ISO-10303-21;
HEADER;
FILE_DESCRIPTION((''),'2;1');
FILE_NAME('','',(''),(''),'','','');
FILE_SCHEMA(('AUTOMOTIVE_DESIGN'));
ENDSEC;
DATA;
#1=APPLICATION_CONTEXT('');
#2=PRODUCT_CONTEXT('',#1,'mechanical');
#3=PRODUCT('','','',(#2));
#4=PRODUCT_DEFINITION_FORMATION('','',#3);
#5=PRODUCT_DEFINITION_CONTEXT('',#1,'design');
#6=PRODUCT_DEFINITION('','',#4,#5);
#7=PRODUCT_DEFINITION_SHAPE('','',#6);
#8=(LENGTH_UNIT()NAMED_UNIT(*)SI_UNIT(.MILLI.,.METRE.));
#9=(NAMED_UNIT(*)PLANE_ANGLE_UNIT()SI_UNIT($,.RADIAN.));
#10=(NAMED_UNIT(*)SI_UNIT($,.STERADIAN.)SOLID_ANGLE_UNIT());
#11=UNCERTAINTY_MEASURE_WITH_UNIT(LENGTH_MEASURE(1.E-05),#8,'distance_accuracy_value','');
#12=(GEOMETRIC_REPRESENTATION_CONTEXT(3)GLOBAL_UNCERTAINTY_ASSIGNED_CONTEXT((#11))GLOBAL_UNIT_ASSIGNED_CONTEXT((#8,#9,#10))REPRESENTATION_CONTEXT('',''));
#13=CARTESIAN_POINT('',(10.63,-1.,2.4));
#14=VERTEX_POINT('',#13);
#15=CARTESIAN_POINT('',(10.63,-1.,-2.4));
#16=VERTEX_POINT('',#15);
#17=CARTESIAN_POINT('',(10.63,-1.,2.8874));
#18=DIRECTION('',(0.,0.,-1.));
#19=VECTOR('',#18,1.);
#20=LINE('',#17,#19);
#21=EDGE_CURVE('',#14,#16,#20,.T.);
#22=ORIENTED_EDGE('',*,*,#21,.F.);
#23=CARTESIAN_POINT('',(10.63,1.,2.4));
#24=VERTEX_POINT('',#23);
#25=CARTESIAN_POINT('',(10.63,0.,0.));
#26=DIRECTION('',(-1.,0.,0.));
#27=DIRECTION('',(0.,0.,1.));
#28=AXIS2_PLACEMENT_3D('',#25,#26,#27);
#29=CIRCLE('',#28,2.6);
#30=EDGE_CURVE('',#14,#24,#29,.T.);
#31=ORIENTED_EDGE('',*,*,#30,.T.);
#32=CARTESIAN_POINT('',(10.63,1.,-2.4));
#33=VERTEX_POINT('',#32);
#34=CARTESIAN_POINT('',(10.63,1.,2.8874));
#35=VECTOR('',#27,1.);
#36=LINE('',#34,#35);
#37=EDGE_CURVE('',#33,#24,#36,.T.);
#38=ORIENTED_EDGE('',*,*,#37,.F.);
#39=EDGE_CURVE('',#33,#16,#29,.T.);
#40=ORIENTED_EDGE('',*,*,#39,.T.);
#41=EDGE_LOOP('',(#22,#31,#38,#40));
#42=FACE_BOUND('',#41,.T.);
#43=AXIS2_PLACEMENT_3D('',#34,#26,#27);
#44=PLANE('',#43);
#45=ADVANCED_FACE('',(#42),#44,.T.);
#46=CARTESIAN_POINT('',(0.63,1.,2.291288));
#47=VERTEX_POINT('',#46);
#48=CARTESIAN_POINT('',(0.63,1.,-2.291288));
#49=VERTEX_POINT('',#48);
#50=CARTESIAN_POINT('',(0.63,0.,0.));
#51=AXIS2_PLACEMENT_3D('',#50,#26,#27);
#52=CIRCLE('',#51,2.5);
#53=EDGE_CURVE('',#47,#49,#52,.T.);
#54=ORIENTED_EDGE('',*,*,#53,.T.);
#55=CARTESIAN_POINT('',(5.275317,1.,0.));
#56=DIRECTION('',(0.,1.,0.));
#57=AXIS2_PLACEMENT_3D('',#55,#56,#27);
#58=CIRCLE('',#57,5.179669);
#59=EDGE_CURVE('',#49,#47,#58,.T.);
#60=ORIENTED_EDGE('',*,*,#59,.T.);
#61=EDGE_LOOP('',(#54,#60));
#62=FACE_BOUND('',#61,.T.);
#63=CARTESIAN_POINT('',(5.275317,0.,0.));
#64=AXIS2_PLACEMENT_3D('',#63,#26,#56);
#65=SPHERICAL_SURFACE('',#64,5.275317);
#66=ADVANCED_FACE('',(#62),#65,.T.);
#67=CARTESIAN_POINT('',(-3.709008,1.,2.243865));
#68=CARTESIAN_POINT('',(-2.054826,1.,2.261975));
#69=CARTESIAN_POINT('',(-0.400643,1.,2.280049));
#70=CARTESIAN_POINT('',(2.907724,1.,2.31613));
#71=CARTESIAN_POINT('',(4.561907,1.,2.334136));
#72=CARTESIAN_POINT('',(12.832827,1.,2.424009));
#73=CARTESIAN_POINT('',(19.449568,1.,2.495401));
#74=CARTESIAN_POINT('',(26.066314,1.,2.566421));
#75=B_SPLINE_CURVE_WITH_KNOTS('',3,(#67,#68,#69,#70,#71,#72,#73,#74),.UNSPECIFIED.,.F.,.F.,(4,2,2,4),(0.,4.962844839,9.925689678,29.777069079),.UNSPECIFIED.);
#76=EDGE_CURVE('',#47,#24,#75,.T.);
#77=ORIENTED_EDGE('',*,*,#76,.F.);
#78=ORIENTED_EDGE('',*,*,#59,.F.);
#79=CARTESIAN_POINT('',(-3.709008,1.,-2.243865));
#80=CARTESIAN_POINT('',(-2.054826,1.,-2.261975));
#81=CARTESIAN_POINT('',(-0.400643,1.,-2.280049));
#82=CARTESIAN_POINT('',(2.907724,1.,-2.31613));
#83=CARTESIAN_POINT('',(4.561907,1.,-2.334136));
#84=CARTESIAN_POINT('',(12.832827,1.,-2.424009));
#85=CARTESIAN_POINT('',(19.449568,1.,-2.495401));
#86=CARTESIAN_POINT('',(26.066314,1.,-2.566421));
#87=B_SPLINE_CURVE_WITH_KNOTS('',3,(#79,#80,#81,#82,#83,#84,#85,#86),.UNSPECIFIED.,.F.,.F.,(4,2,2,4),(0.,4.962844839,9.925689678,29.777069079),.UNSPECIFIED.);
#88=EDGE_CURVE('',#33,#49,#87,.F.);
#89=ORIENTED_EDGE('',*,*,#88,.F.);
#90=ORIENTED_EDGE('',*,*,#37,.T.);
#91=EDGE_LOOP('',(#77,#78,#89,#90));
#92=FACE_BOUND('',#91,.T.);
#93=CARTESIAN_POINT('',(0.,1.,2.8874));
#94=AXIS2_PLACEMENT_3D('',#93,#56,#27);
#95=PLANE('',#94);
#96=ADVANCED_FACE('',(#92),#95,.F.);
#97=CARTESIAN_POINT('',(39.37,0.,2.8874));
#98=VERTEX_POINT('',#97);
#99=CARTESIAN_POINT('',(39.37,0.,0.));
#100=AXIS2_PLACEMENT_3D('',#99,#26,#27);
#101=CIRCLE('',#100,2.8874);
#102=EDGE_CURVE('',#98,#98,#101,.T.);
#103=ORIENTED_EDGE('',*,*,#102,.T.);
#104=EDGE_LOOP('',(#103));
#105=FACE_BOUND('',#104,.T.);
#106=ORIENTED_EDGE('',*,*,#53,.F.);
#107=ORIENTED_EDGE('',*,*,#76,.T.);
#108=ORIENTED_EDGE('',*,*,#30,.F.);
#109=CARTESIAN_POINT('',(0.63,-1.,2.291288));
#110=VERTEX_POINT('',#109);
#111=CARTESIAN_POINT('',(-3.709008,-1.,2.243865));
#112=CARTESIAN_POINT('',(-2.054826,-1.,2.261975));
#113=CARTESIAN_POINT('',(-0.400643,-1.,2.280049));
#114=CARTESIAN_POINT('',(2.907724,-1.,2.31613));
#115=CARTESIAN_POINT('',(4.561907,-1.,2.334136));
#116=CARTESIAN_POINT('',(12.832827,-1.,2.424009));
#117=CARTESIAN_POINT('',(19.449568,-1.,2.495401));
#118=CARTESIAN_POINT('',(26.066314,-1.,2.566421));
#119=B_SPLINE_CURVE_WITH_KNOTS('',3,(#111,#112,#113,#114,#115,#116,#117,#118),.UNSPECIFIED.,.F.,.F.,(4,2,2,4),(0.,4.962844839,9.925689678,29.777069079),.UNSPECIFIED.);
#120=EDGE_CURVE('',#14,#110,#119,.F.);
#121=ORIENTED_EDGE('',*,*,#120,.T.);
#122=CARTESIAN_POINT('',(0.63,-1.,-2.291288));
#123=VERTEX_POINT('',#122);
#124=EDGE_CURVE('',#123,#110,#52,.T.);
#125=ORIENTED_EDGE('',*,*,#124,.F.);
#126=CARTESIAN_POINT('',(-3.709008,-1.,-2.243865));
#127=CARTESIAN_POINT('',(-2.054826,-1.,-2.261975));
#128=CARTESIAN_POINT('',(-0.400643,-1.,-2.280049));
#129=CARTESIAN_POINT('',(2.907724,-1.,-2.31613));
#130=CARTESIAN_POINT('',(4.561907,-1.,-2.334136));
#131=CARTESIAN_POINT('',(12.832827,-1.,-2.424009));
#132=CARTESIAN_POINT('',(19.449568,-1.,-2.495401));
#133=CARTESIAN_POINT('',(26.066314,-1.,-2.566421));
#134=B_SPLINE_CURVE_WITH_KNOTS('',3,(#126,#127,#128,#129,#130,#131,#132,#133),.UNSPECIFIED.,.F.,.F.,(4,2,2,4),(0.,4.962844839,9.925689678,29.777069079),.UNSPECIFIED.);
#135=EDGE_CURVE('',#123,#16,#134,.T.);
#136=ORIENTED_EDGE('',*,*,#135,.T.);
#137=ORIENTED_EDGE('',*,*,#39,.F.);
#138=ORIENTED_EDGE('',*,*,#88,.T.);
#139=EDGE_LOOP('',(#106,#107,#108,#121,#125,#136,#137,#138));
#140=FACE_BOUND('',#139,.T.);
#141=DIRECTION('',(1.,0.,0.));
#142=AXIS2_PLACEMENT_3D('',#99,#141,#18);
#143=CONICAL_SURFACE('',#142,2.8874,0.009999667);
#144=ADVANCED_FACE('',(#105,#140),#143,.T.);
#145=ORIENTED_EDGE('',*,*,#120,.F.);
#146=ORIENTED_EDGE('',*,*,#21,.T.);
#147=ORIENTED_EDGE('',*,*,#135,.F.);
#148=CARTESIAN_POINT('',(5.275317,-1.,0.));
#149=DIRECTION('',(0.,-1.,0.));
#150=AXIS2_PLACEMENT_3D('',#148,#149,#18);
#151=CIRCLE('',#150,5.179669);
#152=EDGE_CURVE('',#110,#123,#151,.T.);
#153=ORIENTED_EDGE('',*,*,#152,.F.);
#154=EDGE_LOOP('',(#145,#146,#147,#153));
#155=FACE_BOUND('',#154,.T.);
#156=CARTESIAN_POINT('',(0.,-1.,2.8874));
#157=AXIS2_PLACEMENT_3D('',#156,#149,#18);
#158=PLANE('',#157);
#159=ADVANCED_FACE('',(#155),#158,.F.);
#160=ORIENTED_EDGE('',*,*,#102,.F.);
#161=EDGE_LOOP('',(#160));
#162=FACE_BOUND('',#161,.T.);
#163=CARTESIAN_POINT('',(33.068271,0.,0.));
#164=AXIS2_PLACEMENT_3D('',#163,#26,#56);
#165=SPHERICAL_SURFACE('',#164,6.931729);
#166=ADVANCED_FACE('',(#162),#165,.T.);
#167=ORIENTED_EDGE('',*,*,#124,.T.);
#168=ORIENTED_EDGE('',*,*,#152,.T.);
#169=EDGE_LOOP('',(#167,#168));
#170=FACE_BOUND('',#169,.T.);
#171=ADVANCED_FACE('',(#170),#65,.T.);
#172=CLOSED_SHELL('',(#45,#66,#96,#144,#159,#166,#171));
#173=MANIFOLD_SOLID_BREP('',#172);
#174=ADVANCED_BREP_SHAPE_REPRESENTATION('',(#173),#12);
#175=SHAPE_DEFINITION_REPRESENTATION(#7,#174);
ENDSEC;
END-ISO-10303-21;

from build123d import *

# Parameters (mm, degrees)
SPLSKE_W      = 5.7748
SPLSKE_H      = 2
SPLIT_2_DEPTH = 30.65250508


with BuildPart() as part:
    # BodySke → Body (revolve)
    with BuildSketch(Plane.XY):
        with BuildLine():
            Line((0.63, 2.5), (39.37, 2.8874))
            ThreePointArc((39.37, 2.8874), (39.840668825, 1.477665283), (40, 0))
            Line((40, 0), (0, 0))
            ThreePointArc((0, 0), (0.159924093, 1.289079129), (0.63, 2.5))
        make_face()
    revolve(axis=Axis((0, 0, 0), (1, 0, 0)))

    # SplSke → Split 2 (cut, through all)
    with BuildSketch(Plane(origin=(10.63, 0, 0), x_dir=(0, 0, -1), z_dir=(1, 0, 0))):
        Rectangle(SPLSKE_W, SPLSKE_H)
    extrude(amount=-SPLIT_2_DEPTH, mode=Mode.SUBTRACT)


solid = part.part
